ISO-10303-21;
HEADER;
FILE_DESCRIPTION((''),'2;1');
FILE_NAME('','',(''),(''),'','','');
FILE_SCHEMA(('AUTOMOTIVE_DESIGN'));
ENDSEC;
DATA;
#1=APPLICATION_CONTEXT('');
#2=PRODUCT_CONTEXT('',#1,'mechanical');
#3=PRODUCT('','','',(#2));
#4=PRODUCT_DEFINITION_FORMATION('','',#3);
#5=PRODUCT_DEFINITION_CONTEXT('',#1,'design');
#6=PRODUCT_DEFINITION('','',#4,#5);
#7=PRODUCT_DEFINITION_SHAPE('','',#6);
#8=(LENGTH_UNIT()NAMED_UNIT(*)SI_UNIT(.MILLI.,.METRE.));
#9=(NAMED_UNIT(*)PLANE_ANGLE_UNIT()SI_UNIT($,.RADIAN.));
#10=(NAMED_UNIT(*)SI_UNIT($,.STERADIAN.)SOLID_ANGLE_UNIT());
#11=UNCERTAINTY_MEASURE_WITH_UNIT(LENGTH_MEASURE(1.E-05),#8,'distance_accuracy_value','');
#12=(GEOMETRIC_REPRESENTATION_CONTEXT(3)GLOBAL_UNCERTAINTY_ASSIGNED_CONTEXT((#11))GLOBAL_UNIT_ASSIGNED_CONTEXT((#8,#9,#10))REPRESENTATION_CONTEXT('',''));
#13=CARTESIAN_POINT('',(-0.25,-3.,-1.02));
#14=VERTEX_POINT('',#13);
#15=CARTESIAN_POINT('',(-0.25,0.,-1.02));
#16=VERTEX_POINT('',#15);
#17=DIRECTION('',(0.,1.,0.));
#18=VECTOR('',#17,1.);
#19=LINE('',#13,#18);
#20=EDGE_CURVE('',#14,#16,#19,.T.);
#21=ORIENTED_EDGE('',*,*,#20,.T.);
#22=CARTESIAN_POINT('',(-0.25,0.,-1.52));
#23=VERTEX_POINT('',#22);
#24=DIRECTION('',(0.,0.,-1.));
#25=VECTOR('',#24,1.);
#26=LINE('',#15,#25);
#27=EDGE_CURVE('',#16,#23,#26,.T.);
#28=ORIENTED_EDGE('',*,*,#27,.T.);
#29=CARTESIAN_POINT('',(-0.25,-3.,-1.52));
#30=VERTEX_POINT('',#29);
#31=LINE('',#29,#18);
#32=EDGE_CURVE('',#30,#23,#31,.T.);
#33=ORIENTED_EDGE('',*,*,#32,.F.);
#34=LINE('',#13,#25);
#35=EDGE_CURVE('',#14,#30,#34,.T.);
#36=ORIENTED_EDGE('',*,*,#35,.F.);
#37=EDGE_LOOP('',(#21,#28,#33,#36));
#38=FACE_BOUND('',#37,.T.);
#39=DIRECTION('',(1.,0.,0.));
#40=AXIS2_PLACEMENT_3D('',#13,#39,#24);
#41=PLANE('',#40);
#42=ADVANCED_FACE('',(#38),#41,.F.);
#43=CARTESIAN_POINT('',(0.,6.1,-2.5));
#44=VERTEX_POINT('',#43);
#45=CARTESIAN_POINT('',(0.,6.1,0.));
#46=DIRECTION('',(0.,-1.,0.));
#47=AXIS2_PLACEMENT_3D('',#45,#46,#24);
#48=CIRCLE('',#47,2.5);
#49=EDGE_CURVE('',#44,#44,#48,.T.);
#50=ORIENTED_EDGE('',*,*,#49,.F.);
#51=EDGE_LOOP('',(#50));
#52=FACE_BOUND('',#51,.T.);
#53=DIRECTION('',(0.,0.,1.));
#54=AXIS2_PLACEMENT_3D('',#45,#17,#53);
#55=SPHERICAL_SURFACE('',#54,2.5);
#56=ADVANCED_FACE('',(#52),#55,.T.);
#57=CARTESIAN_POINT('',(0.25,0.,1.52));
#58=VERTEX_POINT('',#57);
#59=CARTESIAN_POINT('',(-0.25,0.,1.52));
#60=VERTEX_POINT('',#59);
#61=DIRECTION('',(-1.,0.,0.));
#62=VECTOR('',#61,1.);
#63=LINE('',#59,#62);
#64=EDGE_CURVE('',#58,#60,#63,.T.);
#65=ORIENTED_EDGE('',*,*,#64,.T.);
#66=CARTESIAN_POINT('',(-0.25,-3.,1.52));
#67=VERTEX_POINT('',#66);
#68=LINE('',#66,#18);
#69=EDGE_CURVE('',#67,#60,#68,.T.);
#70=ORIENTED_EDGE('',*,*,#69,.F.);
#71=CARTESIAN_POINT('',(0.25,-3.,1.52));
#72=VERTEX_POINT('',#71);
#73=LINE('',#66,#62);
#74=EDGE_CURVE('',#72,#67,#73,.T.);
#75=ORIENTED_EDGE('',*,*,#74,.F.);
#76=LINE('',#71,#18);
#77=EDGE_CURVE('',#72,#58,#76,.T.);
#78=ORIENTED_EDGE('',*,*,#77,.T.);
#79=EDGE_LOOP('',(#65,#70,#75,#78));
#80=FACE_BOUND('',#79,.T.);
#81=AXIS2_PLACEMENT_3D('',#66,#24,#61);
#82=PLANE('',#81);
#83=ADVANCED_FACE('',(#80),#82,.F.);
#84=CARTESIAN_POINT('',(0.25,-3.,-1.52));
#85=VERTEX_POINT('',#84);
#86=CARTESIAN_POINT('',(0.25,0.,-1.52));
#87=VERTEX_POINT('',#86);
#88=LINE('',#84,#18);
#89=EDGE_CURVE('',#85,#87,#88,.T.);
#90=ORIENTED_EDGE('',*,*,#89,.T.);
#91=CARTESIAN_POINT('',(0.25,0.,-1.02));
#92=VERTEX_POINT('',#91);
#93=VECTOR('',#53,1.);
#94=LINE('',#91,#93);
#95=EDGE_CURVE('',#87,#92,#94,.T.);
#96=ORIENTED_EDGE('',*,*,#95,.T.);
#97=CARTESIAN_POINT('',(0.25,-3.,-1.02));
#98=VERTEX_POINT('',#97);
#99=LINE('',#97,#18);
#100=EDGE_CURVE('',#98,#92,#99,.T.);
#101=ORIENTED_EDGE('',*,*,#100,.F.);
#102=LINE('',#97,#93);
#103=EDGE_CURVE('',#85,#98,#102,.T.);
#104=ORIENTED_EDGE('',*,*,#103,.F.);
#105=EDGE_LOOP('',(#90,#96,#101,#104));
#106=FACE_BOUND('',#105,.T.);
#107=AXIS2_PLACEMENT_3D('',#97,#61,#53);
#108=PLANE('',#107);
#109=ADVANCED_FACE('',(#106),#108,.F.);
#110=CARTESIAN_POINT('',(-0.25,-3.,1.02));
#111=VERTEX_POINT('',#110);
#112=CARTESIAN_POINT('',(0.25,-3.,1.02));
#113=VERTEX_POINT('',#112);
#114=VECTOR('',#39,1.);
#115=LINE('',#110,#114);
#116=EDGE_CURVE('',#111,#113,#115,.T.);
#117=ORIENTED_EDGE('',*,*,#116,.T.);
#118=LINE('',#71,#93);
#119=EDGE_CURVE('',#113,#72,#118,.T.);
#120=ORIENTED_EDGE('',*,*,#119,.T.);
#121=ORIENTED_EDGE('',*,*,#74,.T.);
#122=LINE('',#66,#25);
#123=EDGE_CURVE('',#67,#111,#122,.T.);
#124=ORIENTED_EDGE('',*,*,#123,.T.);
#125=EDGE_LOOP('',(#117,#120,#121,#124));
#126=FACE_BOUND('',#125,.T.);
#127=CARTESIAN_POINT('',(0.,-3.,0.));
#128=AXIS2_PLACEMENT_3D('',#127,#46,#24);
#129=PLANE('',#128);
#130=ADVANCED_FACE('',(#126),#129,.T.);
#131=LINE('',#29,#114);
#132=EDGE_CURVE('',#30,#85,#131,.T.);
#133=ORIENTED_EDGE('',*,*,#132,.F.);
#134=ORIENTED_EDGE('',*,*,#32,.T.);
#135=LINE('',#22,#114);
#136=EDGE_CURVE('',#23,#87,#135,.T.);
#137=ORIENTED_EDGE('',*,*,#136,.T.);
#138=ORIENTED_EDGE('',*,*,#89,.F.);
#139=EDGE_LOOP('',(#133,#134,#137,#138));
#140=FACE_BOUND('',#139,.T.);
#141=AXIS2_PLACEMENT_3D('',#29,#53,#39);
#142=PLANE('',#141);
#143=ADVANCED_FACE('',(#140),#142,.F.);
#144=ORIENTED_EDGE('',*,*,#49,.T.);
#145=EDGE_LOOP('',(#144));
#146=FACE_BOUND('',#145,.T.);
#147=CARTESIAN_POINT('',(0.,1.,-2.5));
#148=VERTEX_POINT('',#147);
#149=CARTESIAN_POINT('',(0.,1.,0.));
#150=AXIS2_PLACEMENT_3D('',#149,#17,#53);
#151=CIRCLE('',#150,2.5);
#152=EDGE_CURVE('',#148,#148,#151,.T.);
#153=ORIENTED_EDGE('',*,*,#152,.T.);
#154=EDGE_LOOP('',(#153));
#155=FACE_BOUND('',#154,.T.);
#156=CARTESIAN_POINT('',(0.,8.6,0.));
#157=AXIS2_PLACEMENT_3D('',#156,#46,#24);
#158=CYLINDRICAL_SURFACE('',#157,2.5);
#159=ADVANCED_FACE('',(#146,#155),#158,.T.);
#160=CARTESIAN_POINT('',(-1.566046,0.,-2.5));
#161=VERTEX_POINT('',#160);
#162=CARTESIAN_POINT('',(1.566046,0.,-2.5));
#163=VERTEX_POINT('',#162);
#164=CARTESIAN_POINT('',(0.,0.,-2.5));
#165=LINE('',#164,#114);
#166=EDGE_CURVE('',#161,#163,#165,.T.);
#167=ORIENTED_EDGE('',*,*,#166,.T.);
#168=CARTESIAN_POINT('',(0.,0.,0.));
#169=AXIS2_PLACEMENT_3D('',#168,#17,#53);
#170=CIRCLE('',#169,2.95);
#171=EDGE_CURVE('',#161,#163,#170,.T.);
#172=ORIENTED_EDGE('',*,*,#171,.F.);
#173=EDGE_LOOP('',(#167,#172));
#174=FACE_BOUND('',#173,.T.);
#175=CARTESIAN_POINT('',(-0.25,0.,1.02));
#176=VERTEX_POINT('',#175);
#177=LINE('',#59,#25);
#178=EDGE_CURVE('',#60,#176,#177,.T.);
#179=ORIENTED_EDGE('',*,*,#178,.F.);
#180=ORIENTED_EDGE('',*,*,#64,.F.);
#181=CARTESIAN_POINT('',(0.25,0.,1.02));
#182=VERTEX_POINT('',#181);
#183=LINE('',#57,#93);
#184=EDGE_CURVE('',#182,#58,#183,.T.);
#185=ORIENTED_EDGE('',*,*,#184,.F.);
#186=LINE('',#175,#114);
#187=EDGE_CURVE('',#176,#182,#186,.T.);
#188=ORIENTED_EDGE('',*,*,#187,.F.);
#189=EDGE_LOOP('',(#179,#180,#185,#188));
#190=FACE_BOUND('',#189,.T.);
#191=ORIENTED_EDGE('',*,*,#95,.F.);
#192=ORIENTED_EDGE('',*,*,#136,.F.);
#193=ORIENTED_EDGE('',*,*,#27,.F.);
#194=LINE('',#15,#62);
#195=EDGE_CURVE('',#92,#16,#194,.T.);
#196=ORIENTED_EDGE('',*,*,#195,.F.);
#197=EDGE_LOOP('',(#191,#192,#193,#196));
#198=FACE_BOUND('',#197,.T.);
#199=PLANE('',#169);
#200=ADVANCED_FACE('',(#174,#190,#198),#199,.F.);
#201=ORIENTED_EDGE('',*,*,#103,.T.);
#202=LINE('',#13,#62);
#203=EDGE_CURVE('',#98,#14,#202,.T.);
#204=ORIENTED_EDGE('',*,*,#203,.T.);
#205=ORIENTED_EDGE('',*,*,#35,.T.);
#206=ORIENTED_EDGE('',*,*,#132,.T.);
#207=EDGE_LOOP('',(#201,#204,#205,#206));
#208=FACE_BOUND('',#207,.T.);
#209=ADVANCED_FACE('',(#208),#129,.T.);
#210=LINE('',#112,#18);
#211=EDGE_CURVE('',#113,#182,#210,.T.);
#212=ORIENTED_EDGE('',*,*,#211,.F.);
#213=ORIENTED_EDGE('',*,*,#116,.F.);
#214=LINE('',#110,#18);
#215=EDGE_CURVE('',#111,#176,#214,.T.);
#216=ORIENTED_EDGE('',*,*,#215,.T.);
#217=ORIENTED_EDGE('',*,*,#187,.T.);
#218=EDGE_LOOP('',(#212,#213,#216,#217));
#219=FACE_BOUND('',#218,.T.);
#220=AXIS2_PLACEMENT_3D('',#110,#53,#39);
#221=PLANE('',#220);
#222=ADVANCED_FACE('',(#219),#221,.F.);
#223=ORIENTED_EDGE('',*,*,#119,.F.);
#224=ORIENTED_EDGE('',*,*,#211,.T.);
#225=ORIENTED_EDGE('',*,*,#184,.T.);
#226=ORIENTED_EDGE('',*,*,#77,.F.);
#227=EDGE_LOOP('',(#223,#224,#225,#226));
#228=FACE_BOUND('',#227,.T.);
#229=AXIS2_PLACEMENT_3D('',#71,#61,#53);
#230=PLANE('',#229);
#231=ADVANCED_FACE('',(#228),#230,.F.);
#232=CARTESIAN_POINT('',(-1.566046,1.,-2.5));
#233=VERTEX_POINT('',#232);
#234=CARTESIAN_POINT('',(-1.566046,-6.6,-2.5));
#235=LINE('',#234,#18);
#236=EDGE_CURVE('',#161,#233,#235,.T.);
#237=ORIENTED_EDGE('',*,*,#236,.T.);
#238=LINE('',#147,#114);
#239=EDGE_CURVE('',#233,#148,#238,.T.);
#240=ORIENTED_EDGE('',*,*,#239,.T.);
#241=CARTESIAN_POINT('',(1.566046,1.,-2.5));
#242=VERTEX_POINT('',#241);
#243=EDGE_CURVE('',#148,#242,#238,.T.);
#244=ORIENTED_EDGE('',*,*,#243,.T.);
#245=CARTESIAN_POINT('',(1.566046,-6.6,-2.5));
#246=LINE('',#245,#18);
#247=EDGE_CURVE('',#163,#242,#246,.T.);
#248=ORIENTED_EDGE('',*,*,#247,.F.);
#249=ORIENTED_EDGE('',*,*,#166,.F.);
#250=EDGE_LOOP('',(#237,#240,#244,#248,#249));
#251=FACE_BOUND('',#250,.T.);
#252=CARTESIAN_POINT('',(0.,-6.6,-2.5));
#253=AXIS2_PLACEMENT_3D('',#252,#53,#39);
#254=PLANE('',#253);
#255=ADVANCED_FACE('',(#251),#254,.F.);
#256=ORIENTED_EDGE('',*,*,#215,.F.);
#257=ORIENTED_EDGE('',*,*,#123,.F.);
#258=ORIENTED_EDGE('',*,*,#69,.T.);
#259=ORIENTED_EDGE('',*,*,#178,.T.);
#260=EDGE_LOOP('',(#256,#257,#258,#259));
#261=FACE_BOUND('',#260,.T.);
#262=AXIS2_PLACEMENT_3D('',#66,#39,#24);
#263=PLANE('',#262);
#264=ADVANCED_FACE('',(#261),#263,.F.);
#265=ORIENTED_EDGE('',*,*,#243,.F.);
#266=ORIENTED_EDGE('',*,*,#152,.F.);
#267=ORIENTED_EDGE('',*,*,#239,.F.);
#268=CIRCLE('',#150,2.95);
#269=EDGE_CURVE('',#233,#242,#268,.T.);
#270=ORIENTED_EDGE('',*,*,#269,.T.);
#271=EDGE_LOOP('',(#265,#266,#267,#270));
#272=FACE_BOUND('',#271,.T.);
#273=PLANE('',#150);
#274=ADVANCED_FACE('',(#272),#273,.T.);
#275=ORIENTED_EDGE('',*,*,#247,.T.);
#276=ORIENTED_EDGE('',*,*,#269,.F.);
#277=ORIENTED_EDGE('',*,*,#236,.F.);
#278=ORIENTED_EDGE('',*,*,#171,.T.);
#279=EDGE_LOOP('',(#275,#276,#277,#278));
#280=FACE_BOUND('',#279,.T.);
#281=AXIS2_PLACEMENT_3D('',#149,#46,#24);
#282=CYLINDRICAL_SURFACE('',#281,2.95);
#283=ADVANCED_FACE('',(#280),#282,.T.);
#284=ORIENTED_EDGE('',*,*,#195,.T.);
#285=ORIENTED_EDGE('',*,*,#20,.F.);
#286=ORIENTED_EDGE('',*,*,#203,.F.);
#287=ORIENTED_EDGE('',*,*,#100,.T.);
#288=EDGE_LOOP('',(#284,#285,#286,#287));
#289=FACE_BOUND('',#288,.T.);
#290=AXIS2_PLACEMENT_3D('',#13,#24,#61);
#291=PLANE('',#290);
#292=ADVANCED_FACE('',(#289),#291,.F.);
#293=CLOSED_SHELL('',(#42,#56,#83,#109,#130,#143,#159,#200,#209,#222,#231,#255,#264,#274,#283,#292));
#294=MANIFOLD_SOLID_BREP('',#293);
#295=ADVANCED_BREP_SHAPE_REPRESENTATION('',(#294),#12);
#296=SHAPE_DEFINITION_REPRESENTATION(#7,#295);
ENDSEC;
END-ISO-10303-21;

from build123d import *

# Parameters (mm, degrees)
SKETCH1_R           = 2.95
BOSS_EXTRUDE1_DEPTH = 1
SKETCH2_R           = 2.5
BOSS_EXTRUDE2_DEPTH = 7.6
CUT_EXTRUDE1_START  = -7.6
CUT_EXTRUDE1_DEPTH  = 7.6
FILLET1_R           = 2.5
SKETCH4_W           = 0.5
SKETCH4_H           = 0.5
BOSS_EXTRUDE3_DEPTH = 3


with BuildPart() as part:
    # Sketch1 → Boss-Extrude1 (new body)
    with BuildSketch(Plane(origin=(0, 0, 0), x_dir=(1, 0, 0), z_dir=(0, 1, 0))):
        with Locations(Location((0, 0, 0), (0, 0, 270))):
            Circle(SKETCH1_R)
    extrude(amount=BOSS_EXTRUDE1_DEPTH)

    # Sketch2 → Boss-Extrude2 (add)
    with BuildSketch(Plane(origin=(0, 1, 0), x_dir=(1, 0, 0), z_dir=(0, 1, 0))):
        with Locations(Location((0, 0, 0), (0, 0, 90))):
            Circle(SKETCH2_R)
    extrude(amount=BOSS_EXTRUDE2_DEPTH)

    # Sketch3 → Cut-Extrude1 (cut)
    with BuildSketch(Plane(origin=(0, 1, 0), x_dir=(1, 0, 0), z_dir=(0, 1, 0)).offset(CUT_EXTRUDE1_START)):
        with BuildLine():
            Line((-1.566045976, 2.5), (1.566045976, 2.5))
            ThreePointArc((1.566045976, 2.5), (0, 2.95), (-1.566045976, 2.5))
        make_face()
    extrude(amount=CUT_EXTRUDE1_DEPTH, mode=Mode.SUBTRACT)

    # Fillet1
    fillet1_edges = [part.edges().sort_by_distance(p)[0] for p in [
        (0, 8.6, 2.5),
    ]]
    fillet(fillet1_edges, radius=FILLET1_R)

    # Sketch4 → Boss-Extrude3 (add)
    with BuildSketch(Plane.XZ):
        with Locations((0, 1.27)):
            Rectangle(SKETCH4_W, SKETCH4_H)
        with Locations((0, -1.27)):
            Rectangle(SKETCH4_W, SKETCH4_H)
    extrude(amount=BOSS_EXTRUDE3_DEPTH)


solid = part.part
